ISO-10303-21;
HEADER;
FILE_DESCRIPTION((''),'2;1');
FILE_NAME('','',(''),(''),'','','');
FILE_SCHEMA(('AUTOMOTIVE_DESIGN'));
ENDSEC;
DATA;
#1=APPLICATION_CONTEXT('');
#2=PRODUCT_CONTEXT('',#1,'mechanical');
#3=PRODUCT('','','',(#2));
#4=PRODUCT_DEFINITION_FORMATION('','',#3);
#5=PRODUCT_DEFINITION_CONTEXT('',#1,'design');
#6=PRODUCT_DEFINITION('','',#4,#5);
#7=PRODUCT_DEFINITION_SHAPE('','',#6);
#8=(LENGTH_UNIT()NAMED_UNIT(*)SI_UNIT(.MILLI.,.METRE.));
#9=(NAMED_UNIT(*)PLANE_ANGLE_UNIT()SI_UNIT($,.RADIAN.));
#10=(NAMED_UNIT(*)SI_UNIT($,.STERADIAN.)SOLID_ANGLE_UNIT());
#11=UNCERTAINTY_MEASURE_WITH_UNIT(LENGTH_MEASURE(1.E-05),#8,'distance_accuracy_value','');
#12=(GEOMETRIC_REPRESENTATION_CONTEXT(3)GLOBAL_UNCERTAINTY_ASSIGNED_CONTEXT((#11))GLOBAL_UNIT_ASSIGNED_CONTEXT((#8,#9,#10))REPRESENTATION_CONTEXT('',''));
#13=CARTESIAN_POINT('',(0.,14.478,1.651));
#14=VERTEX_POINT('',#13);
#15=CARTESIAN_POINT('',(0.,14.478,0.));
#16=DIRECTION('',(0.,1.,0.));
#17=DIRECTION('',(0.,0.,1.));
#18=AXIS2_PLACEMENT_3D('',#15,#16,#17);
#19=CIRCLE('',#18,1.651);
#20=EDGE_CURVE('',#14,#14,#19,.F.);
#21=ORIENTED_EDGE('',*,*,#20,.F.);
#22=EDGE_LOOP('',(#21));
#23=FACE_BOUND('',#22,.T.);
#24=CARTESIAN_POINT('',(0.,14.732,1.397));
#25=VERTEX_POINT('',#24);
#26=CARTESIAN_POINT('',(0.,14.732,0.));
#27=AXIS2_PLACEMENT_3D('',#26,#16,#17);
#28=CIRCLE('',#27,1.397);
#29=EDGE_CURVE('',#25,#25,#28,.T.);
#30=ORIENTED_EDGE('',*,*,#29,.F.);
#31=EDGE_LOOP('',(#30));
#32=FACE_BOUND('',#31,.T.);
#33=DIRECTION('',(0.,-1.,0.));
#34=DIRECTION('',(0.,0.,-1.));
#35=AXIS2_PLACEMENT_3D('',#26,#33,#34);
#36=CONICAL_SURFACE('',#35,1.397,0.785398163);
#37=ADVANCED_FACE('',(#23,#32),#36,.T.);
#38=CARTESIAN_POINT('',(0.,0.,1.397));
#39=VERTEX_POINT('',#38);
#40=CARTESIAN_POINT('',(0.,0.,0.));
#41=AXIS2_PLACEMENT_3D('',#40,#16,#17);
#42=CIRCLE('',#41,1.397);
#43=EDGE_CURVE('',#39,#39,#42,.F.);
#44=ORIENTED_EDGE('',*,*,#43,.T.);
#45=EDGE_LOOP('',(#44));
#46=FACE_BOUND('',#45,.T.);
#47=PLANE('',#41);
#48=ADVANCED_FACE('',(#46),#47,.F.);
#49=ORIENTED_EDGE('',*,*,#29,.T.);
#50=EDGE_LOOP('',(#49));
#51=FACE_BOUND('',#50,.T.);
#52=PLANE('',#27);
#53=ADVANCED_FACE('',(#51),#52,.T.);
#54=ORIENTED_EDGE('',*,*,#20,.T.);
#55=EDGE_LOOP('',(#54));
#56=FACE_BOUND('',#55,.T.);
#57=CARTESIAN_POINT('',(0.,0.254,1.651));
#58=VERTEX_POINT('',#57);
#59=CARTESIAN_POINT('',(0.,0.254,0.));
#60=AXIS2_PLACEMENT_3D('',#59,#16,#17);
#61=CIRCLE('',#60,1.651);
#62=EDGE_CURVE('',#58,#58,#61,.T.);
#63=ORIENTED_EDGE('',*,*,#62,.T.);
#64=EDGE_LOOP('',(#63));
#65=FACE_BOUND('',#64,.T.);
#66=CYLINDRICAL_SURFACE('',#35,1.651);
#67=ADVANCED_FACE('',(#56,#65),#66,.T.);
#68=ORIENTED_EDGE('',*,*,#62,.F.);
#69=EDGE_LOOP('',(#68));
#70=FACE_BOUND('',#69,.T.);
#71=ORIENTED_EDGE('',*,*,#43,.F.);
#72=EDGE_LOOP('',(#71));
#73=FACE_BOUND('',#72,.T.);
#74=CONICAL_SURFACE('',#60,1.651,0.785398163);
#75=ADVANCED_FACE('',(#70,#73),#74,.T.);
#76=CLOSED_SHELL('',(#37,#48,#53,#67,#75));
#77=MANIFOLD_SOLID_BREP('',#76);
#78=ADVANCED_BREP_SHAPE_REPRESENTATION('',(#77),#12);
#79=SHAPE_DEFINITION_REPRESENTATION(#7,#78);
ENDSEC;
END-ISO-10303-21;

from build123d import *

# Parameters (mm, degrees)
SKETCH1_R           = 1.651
BOSS_EXTRUDE1_DEPTH = 14.732
CHAMFER1_SIZE       = 0.254


with BuildPart() as part:
    # Sketch1 → Boss-Extrude1 (new body)
    with BuildSketch(Plane(origin=(0, 0, 0), x_dir=(1, 0, 0), z_dir=(0, 1, 0))):
        with Locations(Location((0, 0, 0), (0, 0, 270))):
            Circle(SKETCH1_R)
    extrude(amount=BOSS_EXTRUDE1_DEPTH)

    # Chamfer1
    chamfer1_edges = [part.edges().sort_by_distance(p)[0] for p in [
        (0, 0, -1.651),
        (0, 14.732, -1.651),
    ]]
    chamfer(chamfer1_edges, length=CHAMFER1_SIZE)


solid = part.part
